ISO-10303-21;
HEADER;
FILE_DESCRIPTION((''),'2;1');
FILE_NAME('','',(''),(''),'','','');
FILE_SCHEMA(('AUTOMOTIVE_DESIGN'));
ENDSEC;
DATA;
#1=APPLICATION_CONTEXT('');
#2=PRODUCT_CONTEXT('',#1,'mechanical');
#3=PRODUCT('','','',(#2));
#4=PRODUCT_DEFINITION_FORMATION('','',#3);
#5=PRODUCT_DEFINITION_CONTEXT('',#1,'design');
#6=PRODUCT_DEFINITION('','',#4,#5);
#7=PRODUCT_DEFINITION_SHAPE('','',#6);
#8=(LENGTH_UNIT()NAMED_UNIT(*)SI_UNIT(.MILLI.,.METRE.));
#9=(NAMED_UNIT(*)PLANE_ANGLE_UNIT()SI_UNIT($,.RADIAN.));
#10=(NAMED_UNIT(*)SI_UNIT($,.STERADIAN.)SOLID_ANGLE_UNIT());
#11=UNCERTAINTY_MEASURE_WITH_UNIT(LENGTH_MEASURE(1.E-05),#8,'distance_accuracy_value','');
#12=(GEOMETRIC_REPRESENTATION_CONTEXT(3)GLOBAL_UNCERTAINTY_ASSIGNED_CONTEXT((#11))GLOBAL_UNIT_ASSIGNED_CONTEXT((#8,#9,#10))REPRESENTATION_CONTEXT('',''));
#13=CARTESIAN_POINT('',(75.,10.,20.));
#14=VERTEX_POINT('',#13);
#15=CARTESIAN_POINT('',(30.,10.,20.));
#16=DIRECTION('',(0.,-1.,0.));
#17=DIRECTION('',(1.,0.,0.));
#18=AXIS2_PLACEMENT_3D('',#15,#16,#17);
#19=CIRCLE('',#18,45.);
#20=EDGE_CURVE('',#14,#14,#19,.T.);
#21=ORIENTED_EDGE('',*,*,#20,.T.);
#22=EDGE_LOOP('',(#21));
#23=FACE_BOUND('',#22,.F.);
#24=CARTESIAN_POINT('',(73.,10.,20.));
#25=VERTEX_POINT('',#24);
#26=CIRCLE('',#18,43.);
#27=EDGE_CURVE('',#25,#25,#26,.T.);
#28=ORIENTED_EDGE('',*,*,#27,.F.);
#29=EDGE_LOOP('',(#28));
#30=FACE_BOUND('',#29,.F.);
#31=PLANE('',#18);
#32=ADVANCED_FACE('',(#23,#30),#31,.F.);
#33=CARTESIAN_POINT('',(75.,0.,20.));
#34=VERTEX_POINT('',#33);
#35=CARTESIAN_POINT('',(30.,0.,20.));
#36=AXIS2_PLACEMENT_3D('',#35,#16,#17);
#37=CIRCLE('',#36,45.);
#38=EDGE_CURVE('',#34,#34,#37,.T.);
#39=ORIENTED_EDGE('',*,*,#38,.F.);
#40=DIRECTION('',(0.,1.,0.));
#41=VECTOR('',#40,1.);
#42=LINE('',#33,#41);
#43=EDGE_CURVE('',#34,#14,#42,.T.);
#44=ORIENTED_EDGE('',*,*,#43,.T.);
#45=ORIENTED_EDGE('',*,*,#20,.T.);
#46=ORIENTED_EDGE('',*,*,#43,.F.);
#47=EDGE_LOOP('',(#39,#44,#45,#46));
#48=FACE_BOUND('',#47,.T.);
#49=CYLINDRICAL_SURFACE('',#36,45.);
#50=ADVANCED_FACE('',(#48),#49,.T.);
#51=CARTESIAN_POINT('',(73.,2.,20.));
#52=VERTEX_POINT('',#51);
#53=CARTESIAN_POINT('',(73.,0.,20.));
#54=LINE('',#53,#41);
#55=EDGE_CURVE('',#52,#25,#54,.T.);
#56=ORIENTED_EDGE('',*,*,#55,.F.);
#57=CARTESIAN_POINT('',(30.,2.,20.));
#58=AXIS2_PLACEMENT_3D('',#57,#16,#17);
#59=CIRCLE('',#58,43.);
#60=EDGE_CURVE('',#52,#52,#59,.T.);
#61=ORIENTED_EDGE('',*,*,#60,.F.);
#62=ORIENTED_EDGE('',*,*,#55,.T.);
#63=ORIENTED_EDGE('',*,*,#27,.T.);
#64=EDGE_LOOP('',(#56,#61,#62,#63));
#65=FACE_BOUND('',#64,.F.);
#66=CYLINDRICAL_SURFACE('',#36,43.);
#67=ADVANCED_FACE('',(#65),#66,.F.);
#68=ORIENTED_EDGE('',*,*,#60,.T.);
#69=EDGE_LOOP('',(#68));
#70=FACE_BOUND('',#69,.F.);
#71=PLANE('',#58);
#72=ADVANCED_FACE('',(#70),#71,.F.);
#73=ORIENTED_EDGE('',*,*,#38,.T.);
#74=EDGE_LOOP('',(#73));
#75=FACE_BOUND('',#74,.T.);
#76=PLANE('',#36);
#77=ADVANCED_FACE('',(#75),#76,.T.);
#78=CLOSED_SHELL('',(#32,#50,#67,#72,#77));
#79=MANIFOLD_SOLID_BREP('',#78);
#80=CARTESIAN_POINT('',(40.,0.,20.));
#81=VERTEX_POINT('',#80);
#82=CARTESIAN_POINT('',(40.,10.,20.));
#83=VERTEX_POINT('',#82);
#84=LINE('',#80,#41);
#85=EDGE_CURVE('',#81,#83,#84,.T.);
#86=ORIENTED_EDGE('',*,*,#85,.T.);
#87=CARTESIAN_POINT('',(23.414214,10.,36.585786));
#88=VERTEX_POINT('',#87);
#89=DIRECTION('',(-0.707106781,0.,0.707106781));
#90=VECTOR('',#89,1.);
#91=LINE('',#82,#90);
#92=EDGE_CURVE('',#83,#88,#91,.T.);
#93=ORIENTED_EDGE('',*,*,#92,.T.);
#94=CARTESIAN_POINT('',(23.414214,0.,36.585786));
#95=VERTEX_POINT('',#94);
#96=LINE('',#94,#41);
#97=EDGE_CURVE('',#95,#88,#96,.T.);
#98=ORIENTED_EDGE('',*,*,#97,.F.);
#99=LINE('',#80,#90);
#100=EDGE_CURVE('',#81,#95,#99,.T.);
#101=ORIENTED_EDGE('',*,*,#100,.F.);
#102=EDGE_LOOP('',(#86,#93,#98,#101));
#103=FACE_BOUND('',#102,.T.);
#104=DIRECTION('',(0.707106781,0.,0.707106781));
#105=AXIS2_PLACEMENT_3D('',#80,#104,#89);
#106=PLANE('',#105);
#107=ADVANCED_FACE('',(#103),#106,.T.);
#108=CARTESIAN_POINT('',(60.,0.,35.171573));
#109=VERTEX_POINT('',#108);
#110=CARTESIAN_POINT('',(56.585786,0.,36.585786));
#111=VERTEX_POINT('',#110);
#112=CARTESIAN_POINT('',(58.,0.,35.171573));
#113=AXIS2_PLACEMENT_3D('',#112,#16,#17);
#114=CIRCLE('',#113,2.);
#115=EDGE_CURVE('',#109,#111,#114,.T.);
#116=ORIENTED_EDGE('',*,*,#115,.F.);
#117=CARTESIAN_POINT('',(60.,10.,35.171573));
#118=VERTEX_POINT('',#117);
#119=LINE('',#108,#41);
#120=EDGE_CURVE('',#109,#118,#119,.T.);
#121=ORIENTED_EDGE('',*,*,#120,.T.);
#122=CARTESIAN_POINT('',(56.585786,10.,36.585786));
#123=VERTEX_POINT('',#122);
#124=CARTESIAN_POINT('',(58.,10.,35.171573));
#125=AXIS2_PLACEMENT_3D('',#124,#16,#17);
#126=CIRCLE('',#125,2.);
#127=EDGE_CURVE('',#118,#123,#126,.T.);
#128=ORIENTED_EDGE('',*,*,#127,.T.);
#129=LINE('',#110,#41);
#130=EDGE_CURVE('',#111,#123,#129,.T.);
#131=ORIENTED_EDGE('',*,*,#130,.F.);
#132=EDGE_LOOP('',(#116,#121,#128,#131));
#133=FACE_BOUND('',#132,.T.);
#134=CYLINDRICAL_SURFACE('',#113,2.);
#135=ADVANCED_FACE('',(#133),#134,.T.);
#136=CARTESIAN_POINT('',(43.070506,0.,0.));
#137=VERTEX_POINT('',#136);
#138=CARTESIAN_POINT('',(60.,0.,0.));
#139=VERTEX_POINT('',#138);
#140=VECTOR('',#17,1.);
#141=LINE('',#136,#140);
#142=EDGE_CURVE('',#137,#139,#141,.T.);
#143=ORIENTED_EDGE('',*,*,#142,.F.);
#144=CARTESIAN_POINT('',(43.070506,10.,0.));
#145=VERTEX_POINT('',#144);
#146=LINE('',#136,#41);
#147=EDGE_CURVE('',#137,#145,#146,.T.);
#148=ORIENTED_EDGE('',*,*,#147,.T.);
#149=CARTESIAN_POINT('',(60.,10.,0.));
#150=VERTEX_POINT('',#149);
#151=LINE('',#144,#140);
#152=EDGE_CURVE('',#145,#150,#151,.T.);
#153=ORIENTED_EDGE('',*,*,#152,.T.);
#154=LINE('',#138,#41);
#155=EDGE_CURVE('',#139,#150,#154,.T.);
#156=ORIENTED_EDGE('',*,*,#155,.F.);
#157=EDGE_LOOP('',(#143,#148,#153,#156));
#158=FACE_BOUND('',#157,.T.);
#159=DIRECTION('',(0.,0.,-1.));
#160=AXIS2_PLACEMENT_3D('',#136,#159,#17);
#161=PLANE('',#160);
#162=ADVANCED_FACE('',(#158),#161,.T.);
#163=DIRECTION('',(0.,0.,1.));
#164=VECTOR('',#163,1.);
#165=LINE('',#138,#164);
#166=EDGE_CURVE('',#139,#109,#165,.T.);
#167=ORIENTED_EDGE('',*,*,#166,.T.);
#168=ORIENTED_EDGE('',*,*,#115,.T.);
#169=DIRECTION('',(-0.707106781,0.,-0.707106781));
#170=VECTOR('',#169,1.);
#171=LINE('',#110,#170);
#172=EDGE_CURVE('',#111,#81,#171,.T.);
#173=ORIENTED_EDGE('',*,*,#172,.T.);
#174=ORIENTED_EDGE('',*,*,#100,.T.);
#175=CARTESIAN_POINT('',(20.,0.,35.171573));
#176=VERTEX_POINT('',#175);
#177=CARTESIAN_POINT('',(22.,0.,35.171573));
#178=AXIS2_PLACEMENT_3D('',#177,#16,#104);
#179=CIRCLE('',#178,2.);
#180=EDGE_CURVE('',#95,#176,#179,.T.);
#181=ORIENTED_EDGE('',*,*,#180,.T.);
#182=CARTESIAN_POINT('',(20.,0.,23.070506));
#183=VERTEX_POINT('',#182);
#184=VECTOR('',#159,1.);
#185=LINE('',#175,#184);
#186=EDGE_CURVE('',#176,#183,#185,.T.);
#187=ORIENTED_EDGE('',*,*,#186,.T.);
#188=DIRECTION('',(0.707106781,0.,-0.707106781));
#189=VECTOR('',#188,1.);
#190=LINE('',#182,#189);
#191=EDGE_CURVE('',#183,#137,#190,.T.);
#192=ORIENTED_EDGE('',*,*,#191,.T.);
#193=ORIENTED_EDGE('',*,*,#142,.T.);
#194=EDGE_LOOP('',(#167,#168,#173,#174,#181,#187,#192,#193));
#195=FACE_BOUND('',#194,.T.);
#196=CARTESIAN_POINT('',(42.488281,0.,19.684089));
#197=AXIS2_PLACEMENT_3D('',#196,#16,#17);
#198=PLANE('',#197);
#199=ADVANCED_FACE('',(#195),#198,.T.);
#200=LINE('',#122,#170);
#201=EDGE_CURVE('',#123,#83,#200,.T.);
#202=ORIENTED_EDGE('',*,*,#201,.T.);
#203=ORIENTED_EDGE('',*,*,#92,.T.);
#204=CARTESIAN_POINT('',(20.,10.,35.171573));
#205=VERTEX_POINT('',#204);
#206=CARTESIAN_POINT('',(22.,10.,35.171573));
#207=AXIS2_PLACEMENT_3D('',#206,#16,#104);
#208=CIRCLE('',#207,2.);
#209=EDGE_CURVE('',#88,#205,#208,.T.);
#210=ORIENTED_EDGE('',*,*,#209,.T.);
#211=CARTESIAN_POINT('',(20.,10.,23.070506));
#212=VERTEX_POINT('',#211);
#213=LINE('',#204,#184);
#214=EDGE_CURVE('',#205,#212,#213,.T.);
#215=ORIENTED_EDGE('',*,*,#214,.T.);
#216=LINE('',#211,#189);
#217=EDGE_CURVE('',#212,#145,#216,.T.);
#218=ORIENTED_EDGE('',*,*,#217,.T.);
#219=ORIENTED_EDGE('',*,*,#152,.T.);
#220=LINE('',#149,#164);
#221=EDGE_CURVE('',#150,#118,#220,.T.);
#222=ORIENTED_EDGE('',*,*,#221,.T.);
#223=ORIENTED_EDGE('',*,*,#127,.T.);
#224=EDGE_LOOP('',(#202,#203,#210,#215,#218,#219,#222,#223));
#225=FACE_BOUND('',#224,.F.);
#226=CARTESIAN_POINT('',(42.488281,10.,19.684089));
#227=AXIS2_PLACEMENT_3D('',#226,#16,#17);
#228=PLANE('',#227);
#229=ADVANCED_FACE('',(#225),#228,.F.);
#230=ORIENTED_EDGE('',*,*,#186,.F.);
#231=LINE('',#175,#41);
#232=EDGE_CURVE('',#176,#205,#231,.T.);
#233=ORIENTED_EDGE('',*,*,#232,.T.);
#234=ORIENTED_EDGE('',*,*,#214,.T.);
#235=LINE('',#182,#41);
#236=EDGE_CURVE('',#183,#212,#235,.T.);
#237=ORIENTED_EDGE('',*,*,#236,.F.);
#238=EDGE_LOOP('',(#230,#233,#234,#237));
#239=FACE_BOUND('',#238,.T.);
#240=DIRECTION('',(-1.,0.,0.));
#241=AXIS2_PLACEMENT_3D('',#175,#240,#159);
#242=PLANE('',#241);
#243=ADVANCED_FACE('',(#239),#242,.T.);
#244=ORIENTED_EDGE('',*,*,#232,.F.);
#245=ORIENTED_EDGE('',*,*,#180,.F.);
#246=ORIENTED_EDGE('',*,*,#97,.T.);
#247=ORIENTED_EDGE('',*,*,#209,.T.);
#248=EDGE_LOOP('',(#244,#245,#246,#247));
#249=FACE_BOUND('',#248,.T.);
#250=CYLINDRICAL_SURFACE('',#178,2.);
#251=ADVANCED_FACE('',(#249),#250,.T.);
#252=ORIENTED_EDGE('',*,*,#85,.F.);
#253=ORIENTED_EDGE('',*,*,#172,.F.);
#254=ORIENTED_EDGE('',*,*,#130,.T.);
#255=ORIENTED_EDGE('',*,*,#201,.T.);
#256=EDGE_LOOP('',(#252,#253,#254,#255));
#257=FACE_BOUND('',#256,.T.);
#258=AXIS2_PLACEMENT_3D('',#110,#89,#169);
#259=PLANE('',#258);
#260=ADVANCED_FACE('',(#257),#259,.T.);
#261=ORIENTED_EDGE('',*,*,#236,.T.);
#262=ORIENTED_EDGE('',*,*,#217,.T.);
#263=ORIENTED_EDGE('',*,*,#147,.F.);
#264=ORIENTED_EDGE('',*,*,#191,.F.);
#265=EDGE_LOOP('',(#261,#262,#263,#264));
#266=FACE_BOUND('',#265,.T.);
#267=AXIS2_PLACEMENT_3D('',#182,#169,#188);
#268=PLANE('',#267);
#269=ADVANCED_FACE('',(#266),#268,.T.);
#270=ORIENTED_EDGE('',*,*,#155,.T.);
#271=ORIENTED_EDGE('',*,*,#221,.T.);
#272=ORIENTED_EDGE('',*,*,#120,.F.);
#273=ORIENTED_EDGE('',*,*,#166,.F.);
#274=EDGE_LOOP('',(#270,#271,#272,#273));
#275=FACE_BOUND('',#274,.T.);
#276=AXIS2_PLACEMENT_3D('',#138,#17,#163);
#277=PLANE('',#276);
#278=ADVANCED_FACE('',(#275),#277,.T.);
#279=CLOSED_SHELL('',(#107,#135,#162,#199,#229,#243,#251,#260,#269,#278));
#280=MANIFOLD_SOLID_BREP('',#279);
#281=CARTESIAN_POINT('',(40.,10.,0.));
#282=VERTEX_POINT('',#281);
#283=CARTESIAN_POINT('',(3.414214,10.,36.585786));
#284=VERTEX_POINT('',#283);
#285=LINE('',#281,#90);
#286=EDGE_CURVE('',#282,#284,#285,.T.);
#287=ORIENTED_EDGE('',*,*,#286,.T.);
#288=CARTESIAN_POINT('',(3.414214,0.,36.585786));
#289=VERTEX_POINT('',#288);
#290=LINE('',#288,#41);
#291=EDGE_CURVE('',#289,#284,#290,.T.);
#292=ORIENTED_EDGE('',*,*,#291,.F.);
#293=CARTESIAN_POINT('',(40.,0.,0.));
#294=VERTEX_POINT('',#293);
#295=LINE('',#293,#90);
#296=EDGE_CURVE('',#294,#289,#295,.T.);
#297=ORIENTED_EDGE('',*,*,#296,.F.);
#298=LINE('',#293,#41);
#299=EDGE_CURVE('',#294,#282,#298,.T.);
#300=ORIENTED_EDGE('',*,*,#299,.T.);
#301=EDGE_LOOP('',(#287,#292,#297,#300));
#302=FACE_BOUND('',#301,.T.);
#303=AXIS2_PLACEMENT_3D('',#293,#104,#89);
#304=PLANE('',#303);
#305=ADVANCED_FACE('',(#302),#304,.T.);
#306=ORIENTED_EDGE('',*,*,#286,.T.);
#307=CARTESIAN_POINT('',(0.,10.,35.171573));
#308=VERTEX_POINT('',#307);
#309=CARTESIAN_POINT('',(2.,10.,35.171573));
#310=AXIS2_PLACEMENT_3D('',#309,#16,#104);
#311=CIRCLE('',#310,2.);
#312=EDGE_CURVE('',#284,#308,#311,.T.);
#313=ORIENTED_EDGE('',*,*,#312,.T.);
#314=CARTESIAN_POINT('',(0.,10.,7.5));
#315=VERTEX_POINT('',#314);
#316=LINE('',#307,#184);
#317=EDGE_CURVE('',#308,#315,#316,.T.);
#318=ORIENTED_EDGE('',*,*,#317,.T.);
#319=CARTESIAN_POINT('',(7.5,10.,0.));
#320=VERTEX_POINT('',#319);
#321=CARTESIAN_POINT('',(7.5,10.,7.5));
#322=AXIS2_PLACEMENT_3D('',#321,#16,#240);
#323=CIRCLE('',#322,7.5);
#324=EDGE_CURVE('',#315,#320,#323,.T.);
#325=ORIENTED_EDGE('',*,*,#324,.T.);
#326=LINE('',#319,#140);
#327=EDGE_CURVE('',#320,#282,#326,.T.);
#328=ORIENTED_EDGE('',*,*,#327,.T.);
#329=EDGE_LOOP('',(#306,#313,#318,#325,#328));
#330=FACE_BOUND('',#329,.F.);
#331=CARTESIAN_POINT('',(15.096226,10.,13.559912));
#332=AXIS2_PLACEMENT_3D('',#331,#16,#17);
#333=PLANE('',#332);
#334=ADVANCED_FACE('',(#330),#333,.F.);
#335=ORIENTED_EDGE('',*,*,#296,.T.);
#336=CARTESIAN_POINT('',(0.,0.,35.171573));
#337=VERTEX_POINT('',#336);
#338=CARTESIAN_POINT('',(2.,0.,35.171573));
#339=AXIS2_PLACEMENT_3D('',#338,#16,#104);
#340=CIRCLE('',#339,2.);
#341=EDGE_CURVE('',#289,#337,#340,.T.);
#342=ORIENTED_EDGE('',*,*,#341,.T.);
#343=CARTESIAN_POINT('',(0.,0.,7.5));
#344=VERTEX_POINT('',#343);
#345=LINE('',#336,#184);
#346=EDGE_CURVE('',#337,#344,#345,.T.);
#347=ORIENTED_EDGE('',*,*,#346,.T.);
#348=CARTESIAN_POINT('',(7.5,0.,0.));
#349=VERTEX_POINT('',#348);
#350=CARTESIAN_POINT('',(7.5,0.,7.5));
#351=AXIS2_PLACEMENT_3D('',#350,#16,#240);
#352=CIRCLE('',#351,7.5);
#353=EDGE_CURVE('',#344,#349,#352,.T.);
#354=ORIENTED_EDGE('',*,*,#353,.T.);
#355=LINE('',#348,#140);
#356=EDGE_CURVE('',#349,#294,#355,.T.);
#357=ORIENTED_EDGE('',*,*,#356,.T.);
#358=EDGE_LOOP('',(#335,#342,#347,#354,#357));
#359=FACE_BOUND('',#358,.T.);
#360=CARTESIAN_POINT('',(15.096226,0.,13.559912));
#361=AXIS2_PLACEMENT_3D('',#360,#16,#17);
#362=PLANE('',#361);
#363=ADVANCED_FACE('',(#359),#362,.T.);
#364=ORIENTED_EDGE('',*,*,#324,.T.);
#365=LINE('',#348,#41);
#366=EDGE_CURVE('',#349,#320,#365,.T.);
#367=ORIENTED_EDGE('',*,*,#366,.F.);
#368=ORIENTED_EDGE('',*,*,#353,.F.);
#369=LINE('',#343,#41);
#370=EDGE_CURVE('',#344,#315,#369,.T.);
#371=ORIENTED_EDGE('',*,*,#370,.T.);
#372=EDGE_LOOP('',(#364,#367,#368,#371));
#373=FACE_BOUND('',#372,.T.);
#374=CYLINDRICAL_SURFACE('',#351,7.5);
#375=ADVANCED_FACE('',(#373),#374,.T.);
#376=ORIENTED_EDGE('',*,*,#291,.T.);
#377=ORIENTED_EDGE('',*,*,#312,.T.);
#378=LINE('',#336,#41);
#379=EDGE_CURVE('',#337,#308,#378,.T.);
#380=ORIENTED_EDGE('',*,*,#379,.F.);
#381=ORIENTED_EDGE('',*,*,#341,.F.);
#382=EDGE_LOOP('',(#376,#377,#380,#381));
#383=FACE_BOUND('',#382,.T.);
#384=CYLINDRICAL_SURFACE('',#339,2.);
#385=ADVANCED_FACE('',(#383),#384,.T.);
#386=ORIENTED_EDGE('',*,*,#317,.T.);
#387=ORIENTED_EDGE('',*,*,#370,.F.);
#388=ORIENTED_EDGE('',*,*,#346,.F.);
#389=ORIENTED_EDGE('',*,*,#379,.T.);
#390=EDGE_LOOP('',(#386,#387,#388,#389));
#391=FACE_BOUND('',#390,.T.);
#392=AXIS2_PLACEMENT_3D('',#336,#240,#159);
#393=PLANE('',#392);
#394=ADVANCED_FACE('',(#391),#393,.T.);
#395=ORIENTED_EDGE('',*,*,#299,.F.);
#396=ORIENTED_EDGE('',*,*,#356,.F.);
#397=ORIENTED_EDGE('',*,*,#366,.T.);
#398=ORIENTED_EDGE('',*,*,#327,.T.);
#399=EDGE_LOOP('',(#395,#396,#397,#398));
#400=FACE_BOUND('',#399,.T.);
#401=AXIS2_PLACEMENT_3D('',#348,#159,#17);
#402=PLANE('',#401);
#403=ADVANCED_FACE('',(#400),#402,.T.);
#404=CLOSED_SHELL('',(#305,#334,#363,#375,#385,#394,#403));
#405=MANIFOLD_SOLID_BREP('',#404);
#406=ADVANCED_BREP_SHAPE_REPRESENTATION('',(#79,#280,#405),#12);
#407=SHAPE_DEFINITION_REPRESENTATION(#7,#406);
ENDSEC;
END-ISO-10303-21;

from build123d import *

# Parameters (mm, degrees)
F1_DEPTH = 10
F2_R     = 45
F3_DEPTH = 10
F4_T     = -2


with BuildPart() as f1:
    # F0 (on Front) → F1 (new body)
    with BuildSketch(Plane.XZ):
        with BuildLine():
            ThreePointArc((0, 7.5), (2.1966991411, 2.1966991411), (7.5, 0))
            Line((7.5, 0), (20, 0))
            Line((20, 0), (40, 0))
            Line((40, 0), (20, 20))
            Line((20, 20), (3.4142135624, 36.5857864376))
            ThreePointArc((3.4142135624, 36.5857864376), (1.2346331353, 37.0193319403), (0, 35.1715728753))
            Line((0, 35.1715728753), (0, 20))
            Line((0, 20), (0, 7.5))
        make_face()
    extrude(amount=-F1_DEPTH)


with BuildPart() as f1b:
    # F0 (on Front) → F1, piece 2 (new body)
    with BuildSketch(Plane.XZ):
        with BuildLine():
            Line((20, 35.1715728753), (20, 23.0705063045))
            Line((20, 23.0705063045), (43.0705063045, 0))
            Line((43.0705063045, 0), (60, 0))
            Line((60, 0), (60, 35.1715728753))
            ThreePointArc((60, 35.1715728753), (58.7653668647, 37.0193319403), (56.5857864376, 36.5857864376))
            Line((56.5857864376, 36.5857864376), (40, 20))
            Line((40, 20), (23.4142135624, 36.5857864376))
            ThreePointArc((23.4142135624, 36.5857864376), (21.2346331353, 37.0193319403), (20, 35.1715728753))
        make_face()
    extrude(amount=-F1_DEPTH)


with BuildPart() as f3:
    # F2 (on face) → F3 (new body, through all)
    with BuildSketch(Plane.XZ):
        with Locations((30, 20)):
            Circle(F2_R)
    extrude(amount=-F3_DEPTH)

    # F4
    f4_openings = [f3.faces().sort_by_distance(p)[0] for p in [
        (30, 10, 20),
    ]]
    offset(amount=F4_T, openings=f4_openings)


solid = Compound([f1.part, f1b.part, f3.part])
